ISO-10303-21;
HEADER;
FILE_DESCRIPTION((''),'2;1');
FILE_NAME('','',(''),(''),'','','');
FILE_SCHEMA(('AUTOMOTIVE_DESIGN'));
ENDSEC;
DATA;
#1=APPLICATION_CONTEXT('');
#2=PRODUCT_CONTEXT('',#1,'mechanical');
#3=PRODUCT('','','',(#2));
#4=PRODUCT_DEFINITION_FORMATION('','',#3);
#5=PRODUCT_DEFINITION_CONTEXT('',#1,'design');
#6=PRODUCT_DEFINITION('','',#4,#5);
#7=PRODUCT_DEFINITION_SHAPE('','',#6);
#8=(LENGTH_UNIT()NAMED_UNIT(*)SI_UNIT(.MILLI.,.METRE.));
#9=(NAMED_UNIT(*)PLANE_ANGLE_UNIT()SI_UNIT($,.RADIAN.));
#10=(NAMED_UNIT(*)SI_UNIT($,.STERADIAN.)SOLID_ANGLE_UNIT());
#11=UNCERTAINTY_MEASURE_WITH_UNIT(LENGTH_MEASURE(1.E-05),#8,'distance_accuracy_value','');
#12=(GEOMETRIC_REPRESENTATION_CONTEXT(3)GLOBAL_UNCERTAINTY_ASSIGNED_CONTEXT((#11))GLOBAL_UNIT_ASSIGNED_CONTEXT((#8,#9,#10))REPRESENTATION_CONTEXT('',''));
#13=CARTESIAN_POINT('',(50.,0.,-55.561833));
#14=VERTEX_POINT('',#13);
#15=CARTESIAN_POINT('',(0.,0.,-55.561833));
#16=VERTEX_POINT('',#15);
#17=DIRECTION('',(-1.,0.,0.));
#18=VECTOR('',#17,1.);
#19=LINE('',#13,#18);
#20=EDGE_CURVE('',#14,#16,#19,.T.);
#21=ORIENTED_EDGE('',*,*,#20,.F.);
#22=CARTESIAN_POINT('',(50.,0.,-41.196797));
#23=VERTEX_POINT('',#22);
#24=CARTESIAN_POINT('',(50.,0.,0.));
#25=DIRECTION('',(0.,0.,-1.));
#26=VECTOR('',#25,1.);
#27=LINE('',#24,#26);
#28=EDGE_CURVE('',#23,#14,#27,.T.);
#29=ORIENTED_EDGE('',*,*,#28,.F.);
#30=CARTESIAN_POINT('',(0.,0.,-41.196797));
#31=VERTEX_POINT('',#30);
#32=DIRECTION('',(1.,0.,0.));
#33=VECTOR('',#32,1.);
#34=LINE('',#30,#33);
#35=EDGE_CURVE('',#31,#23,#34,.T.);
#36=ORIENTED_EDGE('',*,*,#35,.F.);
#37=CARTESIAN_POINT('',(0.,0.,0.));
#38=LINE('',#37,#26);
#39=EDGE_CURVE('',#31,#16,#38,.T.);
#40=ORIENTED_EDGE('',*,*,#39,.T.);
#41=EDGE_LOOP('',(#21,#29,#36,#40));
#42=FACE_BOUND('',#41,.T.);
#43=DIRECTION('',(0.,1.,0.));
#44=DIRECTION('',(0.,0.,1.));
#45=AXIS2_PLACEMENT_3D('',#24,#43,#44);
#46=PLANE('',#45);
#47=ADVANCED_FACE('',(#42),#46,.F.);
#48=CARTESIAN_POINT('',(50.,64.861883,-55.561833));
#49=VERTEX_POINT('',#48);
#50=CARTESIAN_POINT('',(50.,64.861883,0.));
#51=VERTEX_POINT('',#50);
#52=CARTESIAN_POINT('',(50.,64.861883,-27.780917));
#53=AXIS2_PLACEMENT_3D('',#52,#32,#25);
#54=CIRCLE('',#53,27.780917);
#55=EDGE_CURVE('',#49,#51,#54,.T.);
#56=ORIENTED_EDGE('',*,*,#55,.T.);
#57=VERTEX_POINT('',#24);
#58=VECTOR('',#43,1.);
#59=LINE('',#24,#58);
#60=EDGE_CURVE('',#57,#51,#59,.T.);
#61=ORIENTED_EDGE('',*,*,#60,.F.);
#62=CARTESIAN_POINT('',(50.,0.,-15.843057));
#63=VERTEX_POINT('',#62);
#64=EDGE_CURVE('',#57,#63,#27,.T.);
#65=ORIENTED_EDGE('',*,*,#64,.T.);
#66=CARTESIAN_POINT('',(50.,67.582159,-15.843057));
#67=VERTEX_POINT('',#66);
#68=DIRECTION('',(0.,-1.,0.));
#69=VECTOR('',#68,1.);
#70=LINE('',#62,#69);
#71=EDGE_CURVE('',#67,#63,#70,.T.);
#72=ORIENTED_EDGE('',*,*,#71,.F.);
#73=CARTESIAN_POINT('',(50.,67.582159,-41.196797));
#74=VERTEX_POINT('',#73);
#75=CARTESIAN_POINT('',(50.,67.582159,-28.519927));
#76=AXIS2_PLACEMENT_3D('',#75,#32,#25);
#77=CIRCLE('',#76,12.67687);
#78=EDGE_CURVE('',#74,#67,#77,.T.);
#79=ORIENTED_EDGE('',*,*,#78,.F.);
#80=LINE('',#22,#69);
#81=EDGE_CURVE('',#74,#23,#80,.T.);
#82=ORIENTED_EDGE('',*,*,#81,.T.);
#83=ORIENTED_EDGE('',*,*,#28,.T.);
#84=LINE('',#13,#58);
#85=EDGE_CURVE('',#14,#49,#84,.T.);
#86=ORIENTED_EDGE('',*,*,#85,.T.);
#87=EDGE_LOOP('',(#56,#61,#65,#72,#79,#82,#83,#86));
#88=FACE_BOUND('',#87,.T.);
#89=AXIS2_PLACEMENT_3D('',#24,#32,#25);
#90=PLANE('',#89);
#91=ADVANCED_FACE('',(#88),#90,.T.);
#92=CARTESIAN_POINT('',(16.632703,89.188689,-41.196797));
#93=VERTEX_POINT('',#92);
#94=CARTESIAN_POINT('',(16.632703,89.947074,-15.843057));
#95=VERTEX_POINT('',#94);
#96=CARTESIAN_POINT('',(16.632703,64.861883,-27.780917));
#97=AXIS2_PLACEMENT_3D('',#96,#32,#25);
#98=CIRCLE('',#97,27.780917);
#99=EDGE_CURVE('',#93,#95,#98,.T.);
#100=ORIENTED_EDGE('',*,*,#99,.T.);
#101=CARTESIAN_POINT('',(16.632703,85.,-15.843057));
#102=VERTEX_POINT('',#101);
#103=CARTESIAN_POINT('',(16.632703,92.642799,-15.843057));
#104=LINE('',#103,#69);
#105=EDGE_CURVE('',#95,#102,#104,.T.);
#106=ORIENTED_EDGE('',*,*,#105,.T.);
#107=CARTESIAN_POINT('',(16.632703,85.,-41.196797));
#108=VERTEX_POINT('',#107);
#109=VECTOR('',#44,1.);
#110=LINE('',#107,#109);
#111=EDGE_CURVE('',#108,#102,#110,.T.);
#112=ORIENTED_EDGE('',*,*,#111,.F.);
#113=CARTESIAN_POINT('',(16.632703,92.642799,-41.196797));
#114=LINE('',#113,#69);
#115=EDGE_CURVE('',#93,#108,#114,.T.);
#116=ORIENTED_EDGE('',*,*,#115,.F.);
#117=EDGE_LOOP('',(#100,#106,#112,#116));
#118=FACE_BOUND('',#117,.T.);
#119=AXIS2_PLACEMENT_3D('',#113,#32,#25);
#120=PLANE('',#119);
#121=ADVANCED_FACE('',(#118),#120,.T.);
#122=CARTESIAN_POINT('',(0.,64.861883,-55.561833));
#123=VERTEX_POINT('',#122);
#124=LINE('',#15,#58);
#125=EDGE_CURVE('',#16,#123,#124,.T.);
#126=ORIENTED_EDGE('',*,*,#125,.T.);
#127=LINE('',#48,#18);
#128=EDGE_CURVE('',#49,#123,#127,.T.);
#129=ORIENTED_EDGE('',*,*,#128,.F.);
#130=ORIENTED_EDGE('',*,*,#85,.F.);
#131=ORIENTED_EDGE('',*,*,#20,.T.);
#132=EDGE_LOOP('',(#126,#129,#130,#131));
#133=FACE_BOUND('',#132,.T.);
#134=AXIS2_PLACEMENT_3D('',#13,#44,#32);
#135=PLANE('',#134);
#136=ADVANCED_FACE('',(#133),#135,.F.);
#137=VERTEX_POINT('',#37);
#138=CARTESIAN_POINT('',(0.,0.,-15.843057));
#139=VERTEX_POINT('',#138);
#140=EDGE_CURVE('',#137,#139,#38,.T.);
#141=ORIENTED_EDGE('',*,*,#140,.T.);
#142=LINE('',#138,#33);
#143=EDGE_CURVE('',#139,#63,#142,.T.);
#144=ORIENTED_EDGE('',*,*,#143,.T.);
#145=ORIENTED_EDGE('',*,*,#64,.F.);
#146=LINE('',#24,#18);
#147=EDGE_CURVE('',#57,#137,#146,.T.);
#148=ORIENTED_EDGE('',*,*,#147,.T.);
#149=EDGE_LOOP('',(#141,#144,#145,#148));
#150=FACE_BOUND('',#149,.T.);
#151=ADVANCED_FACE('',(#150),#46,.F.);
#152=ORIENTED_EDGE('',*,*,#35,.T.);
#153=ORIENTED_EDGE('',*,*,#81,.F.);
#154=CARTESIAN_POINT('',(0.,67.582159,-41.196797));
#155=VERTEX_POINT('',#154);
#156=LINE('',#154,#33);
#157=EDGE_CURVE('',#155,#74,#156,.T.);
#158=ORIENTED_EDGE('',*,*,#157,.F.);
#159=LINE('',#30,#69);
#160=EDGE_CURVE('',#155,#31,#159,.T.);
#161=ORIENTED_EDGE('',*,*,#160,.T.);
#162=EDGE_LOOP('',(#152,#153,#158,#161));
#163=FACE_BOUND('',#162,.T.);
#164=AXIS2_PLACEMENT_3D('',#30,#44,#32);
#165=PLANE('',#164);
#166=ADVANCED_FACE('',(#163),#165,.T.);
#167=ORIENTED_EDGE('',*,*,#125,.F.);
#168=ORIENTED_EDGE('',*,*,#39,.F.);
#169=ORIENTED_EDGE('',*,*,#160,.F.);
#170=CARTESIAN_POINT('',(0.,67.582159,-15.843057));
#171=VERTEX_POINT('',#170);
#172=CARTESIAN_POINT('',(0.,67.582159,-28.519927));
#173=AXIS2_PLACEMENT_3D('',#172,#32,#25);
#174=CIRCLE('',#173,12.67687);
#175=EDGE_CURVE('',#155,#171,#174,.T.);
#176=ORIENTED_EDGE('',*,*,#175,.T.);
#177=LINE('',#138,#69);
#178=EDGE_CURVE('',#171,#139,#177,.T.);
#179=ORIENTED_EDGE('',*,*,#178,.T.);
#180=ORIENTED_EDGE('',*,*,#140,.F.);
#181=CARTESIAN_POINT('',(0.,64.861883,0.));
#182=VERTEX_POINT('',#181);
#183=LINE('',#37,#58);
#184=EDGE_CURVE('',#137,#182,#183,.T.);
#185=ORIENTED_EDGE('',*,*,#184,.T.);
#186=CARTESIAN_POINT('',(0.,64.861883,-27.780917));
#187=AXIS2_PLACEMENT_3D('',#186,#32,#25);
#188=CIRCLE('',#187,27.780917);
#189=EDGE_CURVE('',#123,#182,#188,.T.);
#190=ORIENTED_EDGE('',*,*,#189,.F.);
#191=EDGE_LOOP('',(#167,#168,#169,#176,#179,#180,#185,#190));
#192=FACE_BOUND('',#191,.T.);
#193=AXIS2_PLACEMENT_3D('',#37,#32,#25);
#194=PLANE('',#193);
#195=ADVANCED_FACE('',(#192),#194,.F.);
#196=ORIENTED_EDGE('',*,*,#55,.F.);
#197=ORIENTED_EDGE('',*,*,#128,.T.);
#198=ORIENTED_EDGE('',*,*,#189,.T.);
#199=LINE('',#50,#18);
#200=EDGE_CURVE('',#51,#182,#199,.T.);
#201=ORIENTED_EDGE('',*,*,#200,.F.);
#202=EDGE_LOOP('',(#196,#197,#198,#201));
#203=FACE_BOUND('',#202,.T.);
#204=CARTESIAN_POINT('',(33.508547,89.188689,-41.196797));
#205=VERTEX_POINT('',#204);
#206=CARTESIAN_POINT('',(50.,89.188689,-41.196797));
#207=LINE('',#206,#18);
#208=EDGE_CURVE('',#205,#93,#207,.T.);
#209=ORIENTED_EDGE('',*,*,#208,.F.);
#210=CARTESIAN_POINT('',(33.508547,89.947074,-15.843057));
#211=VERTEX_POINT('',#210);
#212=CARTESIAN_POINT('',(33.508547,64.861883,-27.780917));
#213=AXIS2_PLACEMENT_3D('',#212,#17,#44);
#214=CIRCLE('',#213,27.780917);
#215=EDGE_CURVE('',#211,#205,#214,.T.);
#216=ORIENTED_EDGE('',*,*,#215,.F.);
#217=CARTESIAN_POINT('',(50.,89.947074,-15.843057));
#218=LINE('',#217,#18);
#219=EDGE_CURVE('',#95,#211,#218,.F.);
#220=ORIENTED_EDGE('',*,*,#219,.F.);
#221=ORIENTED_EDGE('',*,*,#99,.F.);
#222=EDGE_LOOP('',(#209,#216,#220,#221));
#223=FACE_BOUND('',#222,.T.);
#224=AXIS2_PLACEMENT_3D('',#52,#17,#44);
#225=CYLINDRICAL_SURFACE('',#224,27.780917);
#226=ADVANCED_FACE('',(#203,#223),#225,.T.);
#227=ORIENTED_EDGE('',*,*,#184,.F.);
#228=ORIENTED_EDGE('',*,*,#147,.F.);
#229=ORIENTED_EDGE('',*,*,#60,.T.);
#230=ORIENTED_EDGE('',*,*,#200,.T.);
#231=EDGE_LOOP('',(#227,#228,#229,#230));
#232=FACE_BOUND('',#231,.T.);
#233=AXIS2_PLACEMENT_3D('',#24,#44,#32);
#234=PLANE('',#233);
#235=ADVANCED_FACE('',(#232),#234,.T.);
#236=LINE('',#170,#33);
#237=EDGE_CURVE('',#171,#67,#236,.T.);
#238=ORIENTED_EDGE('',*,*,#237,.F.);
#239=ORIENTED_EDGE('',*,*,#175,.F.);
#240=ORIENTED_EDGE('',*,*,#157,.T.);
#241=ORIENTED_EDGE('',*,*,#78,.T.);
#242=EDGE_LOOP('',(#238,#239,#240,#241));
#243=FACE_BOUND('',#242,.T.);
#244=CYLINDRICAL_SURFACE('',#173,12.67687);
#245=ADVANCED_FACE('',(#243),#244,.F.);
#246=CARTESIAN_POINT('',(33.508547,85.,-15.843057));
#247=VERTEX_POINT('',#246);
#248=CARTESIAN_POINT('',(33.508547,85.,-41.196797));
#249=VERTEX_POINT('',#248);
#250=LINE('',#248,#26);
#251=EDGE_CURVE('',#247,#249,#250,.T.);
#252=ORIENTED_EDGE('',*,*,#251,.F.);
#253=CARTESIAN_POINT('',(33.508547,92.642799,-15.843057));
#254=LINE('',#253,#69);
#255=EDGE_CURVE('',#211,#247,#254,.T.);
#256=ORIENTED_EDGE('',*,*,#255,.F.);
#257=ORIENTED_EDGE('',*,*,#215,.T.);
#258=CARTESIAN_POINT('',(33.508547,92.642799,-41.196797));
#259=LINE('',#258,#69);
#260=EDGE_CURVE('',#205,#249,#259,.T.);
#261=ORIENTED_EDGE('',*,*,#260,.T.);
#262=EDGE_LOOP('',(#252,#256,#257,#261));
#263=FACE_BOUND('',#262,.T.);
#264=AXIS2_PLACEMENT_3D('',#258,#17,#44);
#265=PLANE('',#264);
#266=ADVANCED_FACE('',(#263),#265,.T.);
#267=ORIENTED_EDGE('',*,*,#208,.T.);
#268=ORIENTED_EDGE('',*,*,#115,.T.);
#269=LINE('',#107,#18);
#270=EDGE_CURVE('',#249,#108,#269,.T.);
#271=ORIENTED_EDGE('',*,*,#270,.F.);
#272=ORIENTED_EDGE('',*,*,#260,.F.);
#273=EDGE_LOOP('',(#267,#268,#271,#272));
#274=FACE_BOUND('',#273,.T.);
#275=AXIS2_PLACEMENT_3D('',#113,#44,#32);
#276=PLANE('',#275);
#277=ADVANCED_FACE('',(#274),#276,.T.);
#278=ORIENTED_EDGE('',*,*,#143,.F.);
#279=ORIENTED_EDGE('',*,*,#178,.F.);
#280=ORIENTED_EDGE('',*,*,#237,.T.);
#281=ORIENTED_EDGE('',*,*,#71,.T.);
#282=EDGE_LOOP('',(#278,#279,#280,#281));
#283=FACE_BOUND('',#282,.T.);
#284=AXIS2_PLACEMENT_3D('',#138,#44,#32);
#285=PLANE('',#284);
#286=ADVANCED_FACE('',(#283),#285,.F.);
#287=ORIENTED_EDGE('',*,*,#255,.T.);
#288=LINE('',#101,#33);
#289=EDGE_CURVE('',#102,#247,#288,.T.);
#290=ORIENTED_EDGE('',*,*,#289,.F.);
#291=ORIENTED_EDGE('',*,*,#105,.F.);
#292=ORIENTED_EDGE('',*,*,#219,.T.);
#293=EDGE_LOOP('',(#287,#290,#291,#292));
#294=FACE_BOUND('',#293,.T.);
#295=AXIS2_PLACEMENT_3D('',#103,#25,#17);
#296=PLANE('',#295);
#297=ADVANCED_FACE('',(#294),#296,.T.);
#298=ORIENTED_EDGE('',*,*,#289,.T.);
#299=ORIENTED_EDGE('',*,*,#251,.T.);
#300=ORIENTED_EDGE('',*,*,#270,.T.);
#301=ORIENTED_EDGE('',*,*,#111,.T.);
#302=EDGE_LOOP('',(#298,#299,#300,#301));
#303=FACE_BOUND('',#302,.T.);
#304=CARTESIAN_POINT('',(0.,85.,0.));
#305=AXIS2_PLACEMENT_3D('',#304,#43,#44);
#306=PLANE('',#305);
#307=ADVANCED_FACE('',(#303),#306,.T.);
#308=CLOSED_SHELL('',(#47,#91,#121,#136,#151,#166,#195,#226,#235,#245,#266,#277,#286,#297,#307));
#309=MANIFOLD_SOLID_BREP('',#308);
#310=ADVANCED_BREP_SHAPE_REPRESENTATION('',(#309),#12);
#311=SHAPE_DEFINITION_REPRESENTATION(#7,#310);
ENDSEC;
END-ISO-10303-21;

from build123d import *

# Parameters (mm, degrees)
BOSS_EXTRUDE3_DEPTH = 50
CUT_EXTRUDE2_DEPTH  = 120.036992567
SKETCH12_W          = 16.875844183
SKETCH12_H          = 25.353739704
CUT_EXTRUDE3_DEPTH  = 114.190623836


with BuildPart() as part:
    # Sketch7 → Boss-Extrude3 (new body)
    with BuildSketch(Plane(origin=(0, 0, 0), x_dir=(0, 0, -1), z_dir=(1, 0, 0))):
        with BuildLine():
            ThreePointArc((55.561833342, 64.861882699), (27.780916671, 92.64279937), (0, 64.861882699))
            Line((0, 64.861882699), (55.561833342, 64.861882699))
        make_face()
        with BuildLine():
            Line((55.561833342, 64.861882699), (0, 64.861882699))
            ThreePointArc((0, 64.861882699), (27.780916671, 37.080966028), (55.561833342, 64.861882699))
        make_face()
        with BuildLine():
            Line((0, 64.861882699), (0, 0))
            Line((0, 0), (55.561833342, 0))
            Line((55.561833342, 0), (55.561833342, 64.861882699))
            ThreePointArc((55.561833342, 64.861882699), (27.780916671, 37.080966028), (0, 64.861882699))
        make_face()
    extrude(amount=BOSS_EXTRUDE3_DEPTH)

    # Sketch8 → Cut-Extrude2 (cut, through all)
    with BuildSketch(Plane(origin=(50, 0, 0), x_dir=(0, 0, -1), z_dir=(1, 0, 0))):
        with BuildLine():
            ThreePointArc((41.196796873, 67.582158988), (28.519927021, 80.25902884), (15.843057169, 67.582158988))
            Line((15.843057169, 67.582158988), (41.196796873, 67.582158988))
        make_face()
        with BuildLine():
            Line((41.196796873, 67.582158988), (15.843057169, 67.582158988))
            ThreePointArc((15.843057169, 67.582158988), (28.519927021, 54.905289136), (41.196796873, 67.582158988))
        make_face()
        with BuildLine():
            ThreePointArc((41.196796873, 67.582158988), (28.519927021, 54.905289136), (15.843057169, 67.582158988))
            Line((15.843057169, 67.582158988), (15.843057169, 0))
            Line((15.843057169, 0), (41.196796873, 0))
            Line((41.196796873, 0), (41.196796873, 67.582158988))
        make_face()
    extrude(amount=-CUT_EXTRUDE2_DEPTH, mode=Mode.SUBTRACT)

    # Sketch12 → Cut-Extrude3 (cut, through all)
    with BuildSketch(Plane(origin=(0, 85, 0), x_dir=(1, 0, 0), z_dir=(0, 1, 0))):
        with Locations((25.070624904, 28.519927021)):
            Rectangle(SKETCH12_W, SKETCH12_H)
    extrude(amount=CUT_EXTRUDE3_DEPTH, mode=Mode.SUBTRACT)


solid = part.part
